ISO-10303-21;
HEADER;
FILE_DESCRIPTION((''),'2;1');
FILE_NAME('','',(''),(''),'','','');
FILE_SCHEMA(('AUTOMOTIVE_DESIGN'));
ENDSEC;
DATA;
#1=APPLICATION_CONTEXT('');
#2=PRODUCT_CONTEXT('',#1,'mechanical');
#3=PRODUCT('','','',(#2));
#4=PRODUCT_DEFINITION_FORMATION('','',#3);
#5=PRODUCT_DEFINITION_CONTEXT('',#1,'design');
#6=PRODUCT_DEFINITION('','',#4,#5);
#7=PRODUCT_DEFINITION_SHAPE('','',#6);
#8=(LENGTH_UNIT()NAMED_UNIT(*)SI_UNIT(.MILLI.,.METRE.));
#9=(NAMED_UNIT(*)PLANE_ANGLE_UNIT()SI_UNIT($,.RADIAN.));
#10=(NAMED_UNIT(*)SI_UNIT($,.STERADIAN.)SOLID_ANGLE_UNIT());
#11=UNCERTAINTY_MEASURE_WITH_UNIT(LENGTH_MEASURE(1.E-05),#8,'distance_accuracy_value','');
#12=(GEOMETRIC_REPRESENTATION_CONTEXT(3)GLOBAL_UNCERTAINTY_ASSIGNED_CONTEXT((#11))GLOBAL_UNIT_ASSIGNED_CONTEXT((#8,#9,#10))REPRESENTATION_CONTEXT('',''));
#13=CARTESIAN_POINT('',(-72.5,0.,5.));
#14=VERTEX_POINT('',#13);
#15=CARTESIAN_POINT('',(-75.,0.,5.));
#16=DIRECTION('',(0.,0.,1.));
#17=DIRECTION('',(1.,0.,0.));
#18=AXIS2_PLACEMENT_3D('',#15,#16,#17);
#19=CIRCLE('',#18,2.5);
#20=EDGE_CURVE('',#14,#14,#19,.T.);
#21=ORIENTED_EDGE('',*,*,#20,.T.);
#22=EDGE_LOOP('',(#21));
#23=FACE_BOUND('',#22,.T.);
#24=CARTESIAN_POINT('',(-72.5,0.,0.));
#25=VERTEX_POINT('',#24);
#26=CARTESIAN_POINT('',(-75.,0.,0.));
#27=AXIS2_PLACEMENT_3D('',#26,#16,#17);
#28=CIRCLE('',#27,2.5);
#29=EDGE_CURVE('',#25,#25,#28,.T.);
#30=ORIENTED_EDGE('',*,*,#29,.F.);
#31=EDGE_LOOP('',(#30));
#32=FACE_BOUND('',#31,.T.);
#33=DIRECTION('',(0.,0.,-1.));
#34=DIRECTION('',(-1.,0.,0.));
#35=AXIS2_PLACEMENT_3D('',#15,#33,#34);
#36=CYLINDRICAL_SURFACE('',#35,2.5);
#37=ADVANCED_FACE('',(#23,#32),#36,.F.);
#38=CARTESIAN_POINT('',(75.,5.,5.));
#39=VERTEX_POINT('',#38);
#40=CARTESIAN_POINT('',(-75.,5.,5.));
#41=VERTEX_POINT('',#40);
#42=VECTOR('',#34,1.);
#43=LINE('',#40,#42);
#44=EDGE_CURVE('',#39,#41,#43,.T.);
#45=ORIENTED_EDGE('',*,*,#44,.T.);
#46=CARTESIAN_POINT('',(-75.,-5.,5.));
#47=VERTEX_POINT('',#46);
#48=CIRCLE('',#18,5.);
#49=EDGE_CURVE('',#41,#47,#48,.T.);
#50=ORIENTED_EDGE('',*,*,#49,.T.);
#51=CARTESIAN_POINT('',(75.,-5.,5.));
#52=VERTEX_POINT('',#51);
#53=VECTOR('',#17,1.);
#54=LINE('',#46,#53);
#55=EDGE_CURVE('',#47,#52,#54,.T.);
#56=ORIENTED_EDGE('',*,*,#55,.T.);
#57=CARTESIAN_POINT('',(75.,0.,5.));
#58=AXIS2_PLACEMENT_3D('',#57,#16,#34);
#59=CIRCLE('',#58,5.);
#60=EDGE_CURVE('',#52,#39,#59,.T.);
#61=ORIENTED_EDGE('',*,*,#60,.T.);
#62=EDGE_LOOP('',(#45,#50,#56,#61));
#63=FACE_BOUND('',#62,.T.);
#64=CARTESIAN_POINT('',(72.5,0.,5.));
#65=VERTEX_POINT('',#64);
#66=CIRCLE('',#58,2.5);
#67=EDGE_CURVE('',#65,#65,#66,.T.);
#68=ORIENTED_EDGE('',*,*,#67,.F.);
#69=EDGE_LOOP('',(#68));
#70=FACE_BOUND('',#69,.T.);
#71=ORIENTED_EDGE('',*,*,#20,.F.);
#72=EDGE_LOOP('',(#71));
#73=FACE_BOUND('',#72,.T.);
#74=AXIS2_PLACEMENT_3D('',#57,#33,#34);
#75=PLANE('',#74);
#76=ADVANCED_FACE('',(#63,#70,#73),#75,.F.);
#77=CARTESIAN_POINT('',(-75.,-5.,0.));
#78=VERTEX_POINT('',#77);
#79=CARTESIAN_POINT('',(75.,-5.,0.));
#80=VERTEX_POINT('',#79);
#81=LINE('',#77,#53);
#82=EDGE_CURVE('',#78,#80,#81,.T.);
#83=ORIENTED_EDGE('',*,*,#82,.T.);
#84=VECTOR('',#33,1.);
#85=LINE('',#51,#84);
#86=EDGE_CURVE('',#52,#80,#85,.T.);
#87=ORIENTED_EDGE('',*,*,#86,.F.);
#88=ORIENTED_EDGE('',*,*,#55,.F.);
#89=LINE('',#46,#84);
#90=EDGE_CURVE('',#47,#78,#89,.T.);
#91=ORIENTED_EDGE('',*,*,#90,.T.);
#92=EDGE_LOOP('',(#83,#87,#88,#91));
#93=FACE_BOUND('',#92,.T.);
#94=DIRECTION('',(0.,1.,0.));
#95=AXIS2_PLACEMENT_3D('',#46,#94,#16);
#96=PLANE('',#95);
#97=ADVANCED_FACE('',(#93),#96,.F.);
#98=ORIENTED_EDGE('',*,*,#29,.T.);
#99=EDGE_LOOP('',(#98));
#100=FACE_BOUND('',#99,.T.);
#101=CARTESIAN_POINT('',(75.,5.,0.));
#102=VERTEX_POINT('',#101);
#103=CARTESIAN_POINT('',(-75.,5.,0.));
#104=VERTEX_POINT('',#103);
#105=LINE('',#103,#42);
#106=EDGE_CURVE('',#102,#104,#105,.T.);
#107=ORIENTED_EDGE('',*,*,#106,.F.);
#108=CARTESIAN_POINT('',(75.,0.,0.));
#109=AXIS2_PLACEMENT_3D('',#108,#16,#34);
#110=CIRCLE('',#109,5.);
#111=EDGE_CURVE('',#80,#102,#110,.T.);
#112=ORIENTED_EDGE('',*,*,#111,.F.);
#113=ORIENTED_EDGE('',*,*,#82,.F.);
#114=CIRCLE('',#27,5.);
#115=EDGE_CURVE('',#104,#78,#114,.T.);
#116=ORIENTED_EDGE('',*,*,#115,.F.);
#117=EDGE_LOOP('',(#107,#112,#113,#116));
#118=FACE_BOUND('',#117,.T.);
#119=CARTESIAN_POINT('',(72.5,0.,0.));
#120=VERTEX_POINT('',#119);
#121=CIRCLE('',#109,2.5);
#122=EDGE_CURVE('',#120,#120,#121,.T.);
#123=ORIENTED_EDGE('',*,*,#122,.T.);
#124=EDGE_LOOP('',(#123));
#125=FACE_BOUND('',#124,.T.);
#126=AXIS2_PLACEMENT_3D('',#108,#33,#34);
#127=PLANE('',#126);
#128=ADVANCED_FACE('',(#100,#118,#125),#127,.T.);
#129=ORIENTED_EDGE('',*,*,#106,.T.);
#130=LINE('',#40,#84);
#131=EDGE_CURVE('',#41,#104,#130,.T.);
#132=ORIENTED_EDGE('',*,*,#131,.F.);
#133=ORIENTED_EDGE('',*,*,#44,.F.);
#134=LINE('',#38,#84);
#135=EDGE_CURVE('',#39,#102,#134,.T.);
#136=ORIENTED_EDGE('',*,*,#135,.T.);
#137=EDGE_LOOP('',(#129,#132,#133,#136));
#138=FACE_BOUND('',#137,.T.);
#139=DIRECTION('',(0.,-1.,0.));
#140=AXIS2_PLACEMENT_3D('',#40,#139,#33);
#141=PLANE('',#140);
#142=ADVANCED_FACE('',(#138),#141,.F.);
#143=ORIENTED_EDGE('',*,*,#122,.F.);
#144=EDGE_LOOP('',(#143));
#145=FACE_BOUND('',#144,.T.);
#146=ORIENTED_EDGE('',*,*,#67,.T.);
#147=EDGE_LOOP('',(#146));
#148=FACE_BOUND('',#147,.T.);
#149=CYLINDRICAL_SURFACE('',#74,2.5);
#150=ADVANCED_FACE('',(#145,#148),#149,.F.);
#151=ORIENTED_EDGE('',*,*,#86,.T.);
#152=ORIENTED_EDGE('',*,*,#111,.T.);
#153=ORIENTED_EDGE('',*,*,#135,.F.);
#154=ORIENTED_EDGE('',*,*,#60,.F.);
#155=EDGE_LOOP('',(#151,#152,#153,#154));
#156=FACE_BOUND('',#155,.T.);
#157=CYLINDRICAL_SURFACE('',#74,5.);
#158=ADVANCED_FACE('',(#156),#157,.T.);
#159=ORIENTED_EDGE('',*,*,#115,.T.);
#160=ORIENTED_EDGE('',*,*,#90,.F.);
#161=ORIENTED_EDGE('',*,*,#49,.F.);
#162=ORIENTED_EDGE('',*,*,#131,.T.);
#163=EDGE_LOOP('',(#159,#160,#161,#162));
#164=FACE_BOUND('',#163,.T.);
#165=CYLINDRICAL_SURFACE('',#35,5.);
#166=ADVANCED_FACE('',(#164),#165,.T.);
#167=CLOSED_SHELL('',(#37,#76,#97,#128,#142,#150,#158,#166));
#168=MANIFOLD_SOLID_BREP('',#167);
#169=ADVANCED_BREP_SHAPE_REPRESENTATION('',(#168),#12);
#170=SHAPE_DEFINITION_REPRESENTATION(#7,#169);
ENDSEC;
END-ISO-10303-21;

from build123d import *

# Parameters (mm, degrees)
SKETCH1_R           = 2.5
BOSS_EXTRUDE1_DEPTH = 5


with BuildPart() as part:
    # Sketch1 → Boss-Extrude1 (new body)
    with BuildSketch(Plane.XY):
        with BuildLine():
            Line((-75, 5), (75, 5))
            ThreePointArc((75, 5), (80, 0), (75, -5))
            Line((75, -5), (-75, -5))
            ThreePointArc((-75, -5), (-80, 0), (-75, 5))
        make_face()
        with Locations((-75, 0)):
            Circle(SKETCH1_R, mode=Mode.SUBTRACT)
        with Locations((75, 0)):
            Circle(SKETCH1_R, mode=Mode.SUBTRACT)
    extrude(amount=BOSS_EXTRUDE1_DEPTH)


solid = part.part
